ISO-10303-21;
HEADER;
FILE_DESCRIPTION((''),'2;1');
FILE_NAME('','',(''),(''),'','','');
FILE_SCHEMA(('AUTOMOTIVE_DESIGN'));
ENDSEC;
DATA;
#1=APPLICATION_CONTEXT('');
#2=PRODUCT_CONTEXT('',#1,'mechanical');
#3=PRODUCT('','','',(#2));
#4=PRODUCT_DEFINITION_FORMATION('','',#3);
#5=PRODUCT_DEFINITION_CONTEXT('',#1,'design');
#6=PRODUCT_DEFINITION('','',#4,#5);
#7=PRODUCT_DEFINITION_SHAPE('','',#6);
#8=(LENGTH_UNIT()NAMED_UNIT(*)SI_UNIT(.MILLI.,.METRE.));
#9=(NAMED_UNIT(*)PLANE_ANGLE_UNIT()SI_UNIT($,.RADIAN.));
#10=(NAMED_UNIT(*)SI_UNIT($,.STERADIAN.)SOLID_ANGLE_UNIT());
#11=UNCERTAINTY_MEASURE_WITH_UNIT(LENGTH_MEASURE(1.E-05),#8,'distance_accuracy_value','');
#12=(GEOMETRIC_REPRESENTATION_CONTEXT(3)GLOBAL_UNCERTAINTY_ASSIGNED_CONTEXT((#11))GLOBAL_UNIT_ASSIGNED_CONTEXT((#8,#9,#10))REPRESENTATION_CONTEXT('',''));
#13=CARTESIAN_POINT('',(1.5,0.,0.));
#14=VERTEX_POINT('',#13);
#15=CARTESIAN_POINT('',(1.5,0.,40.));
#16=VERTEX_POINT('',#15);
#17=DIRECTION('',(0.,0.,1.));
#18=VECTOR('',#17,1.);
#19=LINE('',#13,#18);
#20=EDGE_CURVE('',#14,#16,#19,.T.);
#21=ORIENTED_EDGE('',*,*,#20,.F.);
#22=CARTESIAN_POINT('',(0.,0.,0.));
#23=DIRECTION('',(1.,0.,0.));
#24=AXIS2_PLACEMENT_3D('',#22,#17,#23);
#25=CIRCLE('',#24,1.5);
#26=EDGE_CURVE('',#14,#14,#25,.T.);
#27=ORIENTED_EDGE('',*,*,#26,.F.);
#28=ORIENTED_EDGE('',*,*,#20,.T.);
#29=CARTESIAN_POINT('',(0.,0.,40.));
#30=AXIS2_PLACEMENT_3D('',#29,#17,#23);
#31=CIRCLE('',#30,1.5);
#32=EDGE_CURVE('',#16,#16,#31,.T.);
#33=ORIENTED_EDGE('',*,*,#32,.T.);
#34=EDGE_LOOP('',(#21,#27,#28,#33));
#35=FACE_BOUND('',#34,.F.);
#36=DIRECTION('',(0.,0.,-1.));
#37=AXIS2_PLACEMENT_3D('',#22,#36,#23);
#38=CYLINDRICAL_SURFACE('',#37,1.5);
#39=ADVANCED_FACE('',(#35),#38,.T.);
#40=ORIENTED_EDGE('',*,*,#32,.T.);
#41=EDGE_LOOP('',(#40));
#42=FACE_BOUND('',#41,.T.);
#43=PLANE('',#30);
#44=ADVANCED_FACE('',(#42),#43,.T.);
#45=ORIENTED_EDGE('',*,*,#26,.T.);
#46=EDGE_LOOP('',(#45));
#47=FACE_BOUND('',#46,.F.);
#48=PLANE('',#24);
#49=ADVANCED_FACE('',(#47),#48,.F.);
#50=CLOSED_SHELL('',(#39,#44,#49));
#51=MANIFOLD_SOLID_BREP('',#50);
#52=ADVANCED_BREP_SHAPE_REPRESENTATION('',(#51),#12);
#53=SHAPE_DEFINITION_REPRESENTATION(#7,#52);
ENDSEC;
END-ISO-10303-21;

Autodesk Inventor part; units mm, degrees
ref_plane "YZ Plane" through (0, 0, 0) normal (1, 0, 0) x (0, 1, 0)
ref_plane "XZ Plane" through (0, 0, 0) normal (0, 1, 0) x (-1, 0, 0)
ref_plane "XY Plane" through (0, 0, 0) normal (0, 0, 1) x (1, 0, 0)
sketch "Sketch1" plane through (0, 0, 0) normal (0, 0, 1) x (1, 0, 0)
  circle A0 centre (0, 0) radius 1.5
  dimension "d0" = 3
extrude "Extrusion1" add sketch "Sketch1" along normal blind 40
thread "Thread1" size "M3x0.5" class "6g" standard "ANSI Metric M Profile" full length
properties part number "m3-pin-for-ring-anode" material "Stainless Steel"
